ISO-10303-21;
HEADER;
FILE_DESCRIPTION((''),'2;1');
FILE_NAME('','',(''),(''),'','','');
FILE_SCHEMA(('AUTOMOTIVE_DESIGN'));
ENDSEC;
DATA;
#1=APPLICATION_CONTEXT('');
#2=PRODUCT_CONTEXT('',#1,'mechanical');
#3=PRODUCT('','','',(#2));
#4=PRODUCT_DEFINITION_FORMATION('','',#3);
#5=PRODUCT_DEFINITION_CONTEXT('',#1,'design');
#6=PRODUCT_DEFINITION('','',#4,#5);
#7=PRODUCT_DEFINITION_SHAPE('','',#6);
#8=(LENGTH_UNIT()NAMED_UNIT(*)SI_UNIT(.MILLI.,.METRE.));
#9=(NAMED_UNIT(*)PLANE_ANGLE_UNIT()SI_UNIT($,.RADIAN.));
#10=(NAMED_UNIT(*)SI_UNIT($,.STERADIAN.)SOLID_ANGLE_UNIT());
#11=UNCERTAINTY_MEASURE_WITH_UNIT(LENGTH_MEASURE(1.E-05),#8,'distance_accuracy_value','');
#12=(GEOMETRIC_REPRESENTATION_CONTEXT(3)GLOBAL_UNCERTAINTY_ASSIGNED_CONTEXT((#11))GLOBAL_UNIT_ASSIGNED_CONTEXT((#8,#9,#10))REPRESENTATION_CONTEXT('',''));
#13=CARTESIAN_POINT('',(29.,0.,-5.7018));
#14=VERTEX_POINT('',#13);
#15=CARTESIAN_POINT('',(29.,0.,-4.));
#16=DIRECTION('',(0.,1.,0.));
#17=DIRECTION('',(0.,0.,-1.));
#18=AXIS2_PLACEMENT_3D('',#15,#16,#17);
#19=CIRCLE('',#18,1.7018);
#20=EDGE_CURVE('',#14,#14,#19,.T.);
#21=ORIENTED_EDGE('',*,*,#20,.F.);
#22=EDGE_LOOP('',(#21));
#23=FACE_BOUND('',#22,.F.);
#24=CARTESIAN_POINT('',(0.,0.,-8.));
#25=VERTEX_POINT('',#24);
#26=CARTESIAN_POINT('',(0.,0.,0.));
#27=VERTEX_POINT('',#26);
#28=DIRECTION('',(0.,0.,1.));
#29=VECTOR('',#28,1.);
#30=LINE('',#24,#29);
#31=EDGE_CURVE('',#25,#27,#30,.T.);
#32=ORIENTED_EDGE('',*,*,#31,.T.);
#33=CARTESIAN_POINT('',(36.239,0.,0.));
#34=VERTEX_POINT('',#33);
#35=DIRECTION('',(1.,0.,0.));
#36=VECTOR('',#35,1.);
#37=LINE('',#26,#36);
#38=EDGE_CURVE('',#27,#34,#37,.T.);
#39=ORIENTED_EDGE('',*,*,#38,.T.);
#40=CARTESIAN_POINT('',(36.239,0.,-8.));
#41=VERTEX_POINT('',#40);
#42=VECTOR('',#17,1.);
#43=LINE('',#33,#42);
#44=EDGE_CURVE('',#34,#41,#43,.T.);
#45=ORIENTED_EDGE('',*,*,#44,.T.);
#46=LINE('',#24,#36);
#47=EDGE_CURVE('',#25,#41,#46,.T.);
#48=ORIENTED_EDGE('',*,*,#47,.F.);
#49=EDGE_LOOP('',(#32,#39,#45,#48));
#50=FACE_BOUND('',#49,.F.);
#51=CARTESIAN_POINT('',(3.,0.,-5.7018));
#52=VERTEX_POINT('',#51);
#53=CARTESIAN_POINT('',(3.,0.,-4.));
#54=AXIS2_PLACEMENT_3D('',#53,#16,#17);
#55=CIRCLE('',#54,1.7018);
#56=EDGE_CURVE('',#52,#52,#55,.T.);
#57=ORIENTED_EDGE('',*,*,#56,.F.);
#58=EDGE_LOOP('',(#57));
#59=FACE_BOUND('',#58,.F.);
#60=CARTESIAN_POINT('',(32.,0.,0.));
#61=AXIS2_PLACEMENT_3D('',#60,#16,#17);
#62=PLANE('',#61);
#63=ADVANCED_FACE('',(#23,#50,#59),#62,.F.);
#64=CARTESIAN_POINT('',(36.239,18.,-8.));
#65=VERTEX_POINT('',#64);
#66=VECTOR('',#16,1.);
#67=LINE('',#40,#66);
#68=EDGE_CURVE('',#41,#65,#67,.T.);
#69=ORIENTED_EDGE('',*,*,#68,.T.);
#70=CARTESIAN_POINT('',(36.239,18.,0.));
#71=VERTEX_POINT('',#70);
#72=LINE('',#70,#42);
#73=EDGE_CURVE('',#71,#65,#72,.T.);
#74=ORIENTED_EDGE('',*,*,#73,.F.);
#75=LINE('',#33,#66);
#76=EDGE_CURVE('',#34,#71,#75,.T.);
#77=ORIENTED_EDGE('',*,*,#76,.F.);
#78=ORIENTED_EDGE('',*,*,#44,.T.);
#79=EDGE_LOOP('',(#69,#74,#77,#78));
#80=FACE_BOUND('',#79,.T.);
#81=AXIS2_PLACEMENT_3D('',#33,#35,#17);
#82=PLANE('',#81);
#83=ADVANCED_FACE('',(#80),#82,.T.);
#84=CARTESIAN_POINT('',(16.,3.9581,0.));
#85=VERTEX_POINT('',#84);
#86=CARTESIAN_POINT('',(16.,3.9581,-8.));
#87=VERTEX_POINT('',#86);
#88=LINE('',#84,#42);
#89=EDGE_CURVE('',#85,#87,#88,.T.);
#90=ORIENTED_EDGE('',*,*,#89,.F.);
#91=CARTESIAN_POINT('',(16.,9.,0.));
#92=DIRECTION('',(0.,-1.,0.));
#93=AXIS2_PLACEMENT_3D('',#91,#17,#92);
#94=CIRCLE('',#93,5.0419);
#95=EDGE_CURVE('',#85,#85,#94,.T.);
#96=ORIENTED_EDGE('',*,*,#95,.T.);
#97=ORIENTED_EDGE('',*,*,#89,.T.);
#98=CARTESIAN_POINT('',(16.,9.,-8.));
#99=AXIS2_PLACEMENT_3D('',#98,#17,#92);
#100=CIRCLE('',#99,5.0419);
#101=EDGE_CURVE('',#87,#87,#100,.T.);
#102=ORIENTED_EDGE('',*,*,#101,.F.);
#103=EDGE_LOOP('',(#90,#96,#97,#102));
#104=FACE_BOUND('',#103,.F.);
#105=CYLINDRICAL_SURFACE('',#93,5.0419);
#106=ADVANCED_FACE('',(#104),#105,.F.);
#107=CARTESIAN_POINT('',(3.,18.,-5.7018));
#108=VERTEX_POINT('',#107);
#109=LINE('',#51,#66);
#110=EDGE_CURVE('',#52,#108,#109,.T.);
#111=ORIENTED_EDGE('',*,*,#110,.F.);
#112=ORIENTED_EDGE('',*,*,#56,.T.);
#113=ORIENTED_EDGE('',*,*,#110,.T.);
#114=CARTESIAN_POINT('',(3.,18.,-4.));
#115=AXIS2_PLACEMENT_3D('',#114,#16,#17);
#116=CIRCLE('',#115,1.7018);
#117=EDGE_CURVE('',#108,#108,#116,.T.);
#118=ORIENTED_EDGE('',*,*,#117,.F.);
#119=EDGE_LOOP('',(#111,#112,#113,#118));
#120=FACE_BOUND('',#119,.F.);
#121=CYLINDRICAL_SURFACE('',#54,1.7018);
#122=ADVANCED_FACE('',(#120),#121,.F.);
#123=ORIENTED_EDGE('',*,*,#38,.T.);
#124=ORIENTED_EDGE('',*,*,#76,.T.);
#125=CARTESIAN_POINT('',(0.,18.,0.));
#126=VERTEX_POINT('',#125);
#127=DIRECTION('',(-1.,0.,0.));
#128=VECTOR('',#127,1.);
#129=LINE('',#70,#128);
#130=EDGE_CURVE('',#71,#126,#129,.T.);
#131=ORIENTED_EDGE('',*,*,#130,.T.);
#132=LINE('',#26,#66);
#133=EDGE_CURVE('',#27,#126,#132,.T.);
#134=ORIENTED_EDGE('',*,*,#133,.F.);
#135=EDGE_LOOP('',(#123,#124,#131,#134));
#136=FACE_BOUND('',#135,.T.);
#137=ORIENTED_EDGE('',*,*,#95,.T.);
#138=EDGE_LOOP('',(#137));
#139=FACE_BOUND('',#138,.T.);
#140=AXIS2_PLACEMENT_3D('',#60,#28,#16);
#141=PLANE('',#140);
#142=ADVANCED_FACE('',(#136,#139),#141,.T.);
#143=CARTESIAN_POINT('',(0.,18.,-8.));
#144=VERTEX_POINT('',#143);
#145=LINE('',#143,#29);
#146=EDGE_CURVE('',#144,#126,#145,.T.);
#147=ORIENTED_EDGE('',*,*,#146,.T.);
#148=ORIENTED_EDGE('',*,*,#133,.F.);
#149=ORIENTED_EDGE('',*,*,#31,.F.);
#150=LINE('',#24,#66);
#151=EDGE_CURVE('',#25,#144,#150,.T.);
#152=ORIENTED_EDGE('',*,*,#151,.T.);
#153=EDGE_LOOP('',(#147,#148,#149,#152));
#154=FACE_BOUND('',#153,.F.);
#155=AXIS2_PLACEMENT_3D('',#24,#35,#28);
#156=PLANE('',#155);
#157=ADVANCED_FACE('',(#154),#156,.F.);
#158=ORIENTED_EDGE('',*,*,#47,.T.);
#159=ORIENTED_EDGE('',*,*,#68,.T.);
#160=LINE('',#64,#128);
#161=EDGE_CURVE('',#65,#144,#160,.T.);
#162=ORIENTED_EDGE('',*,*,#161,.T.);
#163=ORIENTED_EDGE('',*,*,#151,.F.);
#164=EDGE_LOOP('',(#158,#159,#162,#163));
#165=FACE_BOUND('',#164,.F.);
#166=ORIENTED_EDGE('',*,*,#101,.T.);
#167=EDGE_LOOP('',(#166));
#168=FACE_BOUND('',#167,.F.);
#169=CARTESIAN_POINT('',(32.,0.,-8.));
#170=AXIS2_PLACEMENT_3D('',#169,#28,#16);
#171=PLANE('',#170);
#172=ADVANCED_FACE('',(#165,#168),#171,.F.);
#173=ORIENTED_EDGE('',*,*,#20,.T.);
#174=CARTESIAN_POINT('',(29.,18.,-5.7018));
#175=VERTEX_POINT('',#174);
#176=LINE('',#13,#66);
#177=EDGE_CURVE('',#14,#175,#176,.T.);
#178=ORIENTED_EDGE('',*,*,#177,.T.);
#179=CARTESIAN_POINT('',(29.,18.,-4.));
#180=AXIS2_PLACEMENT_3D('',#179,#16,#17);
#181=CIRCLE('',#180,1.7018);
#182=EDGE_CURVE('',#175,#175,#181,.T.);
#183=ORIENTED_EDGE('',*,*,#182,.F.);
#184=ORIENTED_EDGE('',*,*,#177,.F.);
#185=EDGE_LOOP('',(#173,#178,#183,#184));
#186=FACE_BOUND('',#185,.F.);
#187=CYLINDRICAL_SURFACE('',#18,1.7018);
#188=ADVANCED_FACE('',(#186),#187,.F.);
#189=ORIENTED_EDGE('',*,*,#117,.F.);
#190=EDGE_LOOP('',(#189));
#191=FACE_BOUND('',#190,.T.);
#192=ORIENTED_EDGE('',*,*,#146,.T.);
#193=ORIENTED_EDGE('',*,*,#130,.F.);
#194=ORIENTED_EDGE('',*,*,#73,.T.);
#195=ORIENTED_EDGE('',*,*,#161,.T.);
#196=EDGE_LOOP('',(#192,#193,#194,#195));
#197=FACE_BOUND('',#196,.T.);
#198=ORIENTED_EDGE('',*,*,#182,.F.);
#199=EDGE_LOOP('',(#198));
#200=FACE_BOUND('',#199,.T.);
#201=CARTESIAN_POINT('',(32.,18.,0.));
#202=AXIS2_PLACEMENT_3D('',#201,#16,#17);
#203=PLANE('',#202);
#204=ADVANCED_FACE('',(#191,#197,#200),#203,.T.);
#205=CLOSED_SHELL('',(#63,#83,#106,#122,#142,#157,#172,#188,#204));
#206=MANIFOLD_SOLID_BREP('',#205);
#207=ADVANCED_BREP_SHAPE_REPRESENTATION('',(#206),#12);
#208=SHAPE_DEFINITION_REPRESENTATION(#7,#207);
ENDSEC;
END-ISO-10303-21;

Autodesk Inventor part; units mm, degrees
ref_plane "YZ Plane" through (0, 0, 0) normal (1, 0, 0) x (0, 1, 0)
ref_plane "XZ Plane" through (0, 0, 0) normal (0, 1, 0) x (-1, 0, 0)
ref_plane "XY Plane" through (0, 0, 0) normal (0, 0, 1) x (1, 0, 0)
sketch "Sketch1" plane through (0, 0, 0) normal (0, 1, 0) x (-1, 0, 0)
  line L0 (0, 0) -> (-32, 0)
  line L1 (-32, 0) -> (-32, -8)
  line L2 (-32, -8) -> (0, -8)
  line L3 (0, -8) -> (0, 0)
  line L4 (0, -4) -> (-32, -4) construction
  circle A0 centre (-3, -4) radius 1.5
  circle A1 centre (-29, -4) radius 1.5
  dimension "d1" = 8
  dimension "d2" = 26
  dimension "d20" = 3
  dimension "d21" = 3
  dimension "d22" = 3
extrude "Extrusion1" add sketch "Sketch1" along normal blind 18 contours L3 L2 L1 L0 | A0 | A1
hole "Hole1" at (29, 0, -4) at (3, 0, -4) direction (0, 1, 0) diameter 3.4036 end through all clearance for "Flat Head Machine Screw" size "M3" standard "Ansi Metric M Profile"
sketch "Sketch2" plane through (0, 0, 0) normal (0, 0, 1) x (1, 0, 0)
  line L0 (0, 0) -> (32, 0) projected
  line L1 (32, 0) -> (32, 18) projected
  line L2 (0, 18) -> (32, 18) projected
  line L3 (0, 0) -> (0, 18) projected
  line L4 (0, 9) -> (32, 9)
  line L5 (32, 0) -> (32, 18) projected
  line L6 (16, 18) -> (16, 0)
  circle A0 centre (16, 9) radius 4.7625
  dimension "d28" = 9.525
hole "Hole2" at (16, 9, 0) direction (0, 0, -1) diameter 10.0838 end through all clearance for "Flat Head Machine Screw (82)" size "3/8" standard "Ansi Unified Screw Threads"
sketch "Sketch3" plane through (32, 0, 0) normal (1, 0, 0) x (0, 0, -1)
  line L0 (0, 0) -> (8, 0) projected
  line L1 (8, 0) -> (8, 18) projected
  line L2 (0, 18) -> (8, 18) projected
  line L3 (0, 0) -> (0, 18) projected
  point P0 (0, 0)
extrude "Extrusion2" add sketch "Sketch3" along normal blind 4.239
equation "\"d22\" = d20"
properties part number "Drive Frame Tension Bearing Plate" material "Aluminum 6061"
